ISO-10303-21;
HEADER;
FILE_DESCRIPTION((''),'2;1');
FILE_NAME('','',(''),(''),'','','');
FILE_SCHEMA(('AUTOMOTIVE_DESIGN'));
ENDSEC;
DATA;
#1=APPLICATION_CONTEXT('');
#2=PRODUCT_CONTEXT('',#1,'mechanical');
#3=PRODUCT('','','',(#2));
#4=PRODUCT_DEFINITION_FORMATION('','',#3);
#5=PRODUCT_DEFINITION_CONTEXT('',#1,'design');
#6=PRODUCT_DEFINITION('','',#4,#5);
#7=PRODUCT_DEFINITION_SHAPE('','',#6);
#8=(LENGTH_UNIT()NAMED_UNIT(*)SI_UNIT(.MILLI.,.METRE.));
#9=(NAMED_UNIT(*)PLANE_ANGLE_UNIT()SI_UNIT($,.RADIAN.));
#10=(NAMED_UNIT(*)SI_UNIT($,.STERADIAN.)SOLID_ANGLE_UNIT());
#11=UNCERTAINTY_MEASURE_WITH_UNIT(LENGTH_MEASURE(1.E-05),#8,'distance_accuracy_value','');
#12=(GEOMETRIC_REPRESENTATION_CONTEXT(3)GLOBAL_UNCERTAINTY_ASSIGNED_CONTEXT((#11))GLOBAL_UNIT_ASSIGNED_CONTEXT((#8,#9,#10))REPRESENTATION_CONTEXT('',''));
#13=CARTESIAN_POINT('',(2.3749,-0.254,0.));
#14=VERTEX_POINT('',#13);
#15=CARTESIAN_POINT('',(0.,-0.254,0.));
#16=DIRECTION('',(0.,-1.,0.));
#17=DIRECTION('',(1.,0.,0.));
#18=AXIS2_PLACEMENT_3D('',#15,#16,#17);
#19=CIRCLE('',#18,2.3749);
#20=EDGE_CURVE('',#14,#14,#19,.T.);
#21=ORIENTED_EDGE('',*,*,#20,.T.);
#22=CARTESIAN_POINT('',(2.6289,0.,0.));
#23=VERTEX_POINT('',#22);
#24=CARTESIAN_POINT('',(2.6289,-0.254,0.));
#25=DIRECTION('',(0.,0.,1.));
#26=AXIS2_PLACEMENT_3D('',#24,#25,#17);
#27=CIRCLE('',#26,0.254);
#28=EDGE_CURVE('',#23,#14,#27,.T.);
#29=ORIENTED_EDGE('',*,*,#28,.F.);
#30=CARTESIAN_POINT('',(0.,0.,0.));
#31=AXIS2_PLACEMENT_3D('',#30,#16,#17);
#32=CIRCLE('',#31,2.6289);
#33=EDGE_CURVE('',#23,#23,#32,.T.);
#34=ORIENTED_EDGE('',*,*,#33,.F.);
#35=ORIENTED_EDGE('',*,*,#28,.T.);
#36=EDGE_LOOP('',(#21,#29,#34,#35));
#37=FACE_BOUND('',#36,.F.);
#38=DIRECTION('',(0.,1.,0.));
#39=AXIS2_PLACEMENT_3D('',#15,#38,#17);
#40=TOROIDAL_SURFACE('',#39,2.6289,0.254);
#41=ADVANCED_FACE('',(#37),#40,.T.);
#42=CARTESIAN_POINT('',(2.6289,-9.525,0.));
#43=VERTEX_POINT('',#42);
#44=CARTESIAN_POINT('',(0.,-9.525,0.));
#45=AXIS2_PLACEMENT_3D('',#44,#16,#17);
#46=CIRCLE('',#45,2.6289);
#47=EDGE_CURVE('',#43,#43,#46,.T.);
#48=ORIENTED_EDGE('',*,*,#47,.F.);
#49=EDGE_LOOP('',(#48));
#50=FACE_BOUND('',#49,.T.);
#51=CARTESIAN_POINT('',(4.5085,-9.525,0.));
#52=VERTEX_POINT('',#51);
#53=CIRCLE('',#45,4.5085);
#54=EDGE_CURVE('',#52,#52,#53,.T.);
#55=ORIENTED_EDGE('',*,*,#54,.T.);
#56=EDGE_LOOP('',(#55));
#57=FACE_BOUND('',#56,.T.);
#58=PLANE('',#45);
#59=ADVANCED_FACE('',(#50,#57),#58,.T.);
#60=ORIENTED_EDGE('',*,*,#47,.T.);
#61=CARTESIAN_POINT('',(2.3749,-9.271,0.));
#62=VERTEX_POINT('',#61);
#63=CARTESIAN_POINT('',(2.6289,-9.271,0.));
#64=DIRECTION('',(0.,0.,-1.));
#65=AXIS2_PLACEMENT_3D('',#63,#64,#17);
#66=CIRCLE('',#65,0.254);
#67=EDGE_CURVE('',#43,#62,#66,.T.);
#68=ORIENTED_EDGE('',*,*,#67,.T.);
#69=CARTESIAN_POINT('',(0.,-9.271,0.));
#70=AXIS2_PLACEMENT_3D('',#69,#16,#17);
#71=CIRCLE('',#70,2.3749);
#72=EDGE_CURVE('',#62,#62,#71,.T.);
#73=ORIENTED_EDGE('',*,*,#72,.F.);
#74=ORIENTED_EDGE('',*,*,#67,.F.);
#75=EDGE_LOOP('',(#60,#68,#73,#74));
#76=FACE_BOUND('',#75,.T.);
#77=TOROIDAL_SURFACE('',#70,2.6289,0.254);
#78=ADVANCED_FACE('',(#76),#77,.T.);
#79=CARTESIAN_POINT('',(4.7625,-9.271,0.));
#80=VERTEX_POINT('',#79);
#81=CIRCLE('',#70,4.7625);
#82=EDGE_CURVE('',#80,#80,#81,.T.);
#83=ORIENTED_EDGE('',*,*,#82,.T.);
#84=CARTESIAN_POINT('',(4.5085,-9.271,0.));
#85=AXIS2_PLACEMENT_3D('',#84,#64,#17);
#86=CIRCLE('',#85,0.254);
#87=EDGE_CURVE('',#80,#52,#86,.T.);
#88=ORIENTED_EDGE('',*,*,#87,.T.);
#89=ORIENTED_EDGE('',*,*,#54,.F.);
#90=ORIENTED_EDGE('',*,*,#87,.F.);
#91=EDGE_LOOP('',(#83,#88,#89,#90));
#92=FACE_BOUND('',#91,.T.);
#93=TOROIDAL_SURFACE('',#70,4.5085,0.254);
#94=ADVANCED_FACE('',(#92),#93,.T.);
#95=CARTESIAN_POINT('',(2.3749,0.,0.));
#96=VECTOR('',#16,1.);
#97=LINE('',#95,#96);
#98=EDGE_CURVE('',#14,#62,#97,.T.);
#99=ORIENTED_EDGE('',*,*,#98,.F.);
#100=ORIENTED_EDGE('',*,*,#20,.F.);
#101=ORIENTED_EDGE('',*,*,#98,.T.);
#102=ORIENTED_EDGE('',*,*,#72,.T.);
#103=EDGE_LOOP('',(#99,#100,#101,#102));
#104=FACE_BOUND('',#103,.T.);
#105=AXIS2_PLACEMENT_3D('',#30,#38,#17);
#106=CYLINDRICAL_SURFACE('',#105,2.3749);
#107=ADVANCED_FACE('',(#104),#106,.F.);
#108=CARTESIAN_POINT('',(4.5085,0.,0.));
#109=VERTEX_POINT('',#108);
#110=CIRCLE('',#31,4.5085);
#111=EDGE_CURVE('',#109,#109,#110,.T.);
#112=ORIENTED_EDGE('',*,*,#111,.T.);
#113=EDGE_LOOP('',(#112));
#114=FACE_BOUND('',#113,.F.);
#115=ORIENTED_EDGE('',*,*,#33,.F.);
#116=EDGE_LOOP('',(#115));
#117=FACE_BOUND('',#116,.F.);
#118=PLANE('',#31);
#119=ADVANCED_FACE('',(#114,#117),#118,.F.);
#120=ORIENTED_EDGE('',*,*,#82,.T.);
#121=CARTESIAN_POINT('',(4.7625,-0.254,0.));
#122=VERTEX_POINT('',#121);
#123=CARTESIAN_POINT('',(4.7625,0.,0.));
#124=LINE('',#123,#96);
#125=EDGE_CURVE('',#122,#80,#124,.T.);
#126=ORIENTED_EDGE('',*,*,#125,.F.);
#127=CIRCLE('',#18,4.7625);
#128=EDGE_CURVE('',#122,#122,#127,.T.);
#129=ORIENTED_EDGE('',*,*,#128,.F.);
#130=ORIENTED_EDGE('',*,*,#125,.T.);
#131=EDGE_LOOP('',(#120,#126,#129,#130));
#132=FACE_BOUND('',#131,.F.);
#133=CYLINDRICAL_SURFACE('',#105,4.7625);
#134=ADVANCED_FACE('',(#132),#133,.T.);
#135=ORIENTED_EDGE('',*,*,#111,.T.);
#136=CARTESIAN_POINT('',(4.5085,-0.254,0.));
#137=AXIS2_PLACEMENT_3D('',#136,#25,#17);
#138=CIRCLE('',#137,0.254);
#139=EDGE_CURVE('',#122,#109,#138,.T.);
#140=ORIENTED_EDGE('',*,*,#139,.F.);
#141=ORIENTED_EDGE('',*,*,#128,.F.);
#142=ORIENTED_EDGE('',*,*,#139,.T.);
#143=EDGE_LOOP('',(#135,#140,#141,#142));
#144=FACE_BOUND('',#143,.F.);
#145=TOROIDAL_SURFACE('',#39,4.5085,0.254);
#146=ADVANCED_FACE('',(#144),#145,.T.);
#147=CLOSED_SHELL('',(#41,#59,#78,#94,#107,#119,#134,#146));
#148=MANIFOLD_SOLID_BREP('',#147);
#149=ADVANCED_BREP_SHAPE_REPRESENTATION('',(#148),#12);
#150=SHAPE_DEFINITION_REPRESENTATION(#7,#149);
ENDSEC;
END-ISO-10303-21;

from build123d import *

# Parameters (mm, degrees)
F0_R     = 4.7625
F0_R_2   = 2.3749
F1_DEPTH = 9.525
F2_R     = 0.254
F3_R     = 0.254


with BuildPart() as f1:
    # F0 (on Front) → F1 (new body)
    with BuildSketch(Plane.XZ):
        Circle(F0_R)
        Circle(F0_R_2, mode=Mode.SUBTRACT)
    extrude(amount=F1_DEPTH)

    # F2
    f2_edges = [f1.edges().sort_by_distance(p)[0] for p in [
        (-4.7625, -9.525, 0),
        (-4.7625, 0, 0),
    ]]
    fillet(f2_edges, radius=F2_R)

    # F3
    f3_edges = [f1.edges().sort_by_distance(p)[0] for p in [
        (-2.3749, -9.525, 0),
        (-2.3749, 0, 0),
    ]]
    fillet(f3_edges, radius=F3_R)


solid = f1.part
